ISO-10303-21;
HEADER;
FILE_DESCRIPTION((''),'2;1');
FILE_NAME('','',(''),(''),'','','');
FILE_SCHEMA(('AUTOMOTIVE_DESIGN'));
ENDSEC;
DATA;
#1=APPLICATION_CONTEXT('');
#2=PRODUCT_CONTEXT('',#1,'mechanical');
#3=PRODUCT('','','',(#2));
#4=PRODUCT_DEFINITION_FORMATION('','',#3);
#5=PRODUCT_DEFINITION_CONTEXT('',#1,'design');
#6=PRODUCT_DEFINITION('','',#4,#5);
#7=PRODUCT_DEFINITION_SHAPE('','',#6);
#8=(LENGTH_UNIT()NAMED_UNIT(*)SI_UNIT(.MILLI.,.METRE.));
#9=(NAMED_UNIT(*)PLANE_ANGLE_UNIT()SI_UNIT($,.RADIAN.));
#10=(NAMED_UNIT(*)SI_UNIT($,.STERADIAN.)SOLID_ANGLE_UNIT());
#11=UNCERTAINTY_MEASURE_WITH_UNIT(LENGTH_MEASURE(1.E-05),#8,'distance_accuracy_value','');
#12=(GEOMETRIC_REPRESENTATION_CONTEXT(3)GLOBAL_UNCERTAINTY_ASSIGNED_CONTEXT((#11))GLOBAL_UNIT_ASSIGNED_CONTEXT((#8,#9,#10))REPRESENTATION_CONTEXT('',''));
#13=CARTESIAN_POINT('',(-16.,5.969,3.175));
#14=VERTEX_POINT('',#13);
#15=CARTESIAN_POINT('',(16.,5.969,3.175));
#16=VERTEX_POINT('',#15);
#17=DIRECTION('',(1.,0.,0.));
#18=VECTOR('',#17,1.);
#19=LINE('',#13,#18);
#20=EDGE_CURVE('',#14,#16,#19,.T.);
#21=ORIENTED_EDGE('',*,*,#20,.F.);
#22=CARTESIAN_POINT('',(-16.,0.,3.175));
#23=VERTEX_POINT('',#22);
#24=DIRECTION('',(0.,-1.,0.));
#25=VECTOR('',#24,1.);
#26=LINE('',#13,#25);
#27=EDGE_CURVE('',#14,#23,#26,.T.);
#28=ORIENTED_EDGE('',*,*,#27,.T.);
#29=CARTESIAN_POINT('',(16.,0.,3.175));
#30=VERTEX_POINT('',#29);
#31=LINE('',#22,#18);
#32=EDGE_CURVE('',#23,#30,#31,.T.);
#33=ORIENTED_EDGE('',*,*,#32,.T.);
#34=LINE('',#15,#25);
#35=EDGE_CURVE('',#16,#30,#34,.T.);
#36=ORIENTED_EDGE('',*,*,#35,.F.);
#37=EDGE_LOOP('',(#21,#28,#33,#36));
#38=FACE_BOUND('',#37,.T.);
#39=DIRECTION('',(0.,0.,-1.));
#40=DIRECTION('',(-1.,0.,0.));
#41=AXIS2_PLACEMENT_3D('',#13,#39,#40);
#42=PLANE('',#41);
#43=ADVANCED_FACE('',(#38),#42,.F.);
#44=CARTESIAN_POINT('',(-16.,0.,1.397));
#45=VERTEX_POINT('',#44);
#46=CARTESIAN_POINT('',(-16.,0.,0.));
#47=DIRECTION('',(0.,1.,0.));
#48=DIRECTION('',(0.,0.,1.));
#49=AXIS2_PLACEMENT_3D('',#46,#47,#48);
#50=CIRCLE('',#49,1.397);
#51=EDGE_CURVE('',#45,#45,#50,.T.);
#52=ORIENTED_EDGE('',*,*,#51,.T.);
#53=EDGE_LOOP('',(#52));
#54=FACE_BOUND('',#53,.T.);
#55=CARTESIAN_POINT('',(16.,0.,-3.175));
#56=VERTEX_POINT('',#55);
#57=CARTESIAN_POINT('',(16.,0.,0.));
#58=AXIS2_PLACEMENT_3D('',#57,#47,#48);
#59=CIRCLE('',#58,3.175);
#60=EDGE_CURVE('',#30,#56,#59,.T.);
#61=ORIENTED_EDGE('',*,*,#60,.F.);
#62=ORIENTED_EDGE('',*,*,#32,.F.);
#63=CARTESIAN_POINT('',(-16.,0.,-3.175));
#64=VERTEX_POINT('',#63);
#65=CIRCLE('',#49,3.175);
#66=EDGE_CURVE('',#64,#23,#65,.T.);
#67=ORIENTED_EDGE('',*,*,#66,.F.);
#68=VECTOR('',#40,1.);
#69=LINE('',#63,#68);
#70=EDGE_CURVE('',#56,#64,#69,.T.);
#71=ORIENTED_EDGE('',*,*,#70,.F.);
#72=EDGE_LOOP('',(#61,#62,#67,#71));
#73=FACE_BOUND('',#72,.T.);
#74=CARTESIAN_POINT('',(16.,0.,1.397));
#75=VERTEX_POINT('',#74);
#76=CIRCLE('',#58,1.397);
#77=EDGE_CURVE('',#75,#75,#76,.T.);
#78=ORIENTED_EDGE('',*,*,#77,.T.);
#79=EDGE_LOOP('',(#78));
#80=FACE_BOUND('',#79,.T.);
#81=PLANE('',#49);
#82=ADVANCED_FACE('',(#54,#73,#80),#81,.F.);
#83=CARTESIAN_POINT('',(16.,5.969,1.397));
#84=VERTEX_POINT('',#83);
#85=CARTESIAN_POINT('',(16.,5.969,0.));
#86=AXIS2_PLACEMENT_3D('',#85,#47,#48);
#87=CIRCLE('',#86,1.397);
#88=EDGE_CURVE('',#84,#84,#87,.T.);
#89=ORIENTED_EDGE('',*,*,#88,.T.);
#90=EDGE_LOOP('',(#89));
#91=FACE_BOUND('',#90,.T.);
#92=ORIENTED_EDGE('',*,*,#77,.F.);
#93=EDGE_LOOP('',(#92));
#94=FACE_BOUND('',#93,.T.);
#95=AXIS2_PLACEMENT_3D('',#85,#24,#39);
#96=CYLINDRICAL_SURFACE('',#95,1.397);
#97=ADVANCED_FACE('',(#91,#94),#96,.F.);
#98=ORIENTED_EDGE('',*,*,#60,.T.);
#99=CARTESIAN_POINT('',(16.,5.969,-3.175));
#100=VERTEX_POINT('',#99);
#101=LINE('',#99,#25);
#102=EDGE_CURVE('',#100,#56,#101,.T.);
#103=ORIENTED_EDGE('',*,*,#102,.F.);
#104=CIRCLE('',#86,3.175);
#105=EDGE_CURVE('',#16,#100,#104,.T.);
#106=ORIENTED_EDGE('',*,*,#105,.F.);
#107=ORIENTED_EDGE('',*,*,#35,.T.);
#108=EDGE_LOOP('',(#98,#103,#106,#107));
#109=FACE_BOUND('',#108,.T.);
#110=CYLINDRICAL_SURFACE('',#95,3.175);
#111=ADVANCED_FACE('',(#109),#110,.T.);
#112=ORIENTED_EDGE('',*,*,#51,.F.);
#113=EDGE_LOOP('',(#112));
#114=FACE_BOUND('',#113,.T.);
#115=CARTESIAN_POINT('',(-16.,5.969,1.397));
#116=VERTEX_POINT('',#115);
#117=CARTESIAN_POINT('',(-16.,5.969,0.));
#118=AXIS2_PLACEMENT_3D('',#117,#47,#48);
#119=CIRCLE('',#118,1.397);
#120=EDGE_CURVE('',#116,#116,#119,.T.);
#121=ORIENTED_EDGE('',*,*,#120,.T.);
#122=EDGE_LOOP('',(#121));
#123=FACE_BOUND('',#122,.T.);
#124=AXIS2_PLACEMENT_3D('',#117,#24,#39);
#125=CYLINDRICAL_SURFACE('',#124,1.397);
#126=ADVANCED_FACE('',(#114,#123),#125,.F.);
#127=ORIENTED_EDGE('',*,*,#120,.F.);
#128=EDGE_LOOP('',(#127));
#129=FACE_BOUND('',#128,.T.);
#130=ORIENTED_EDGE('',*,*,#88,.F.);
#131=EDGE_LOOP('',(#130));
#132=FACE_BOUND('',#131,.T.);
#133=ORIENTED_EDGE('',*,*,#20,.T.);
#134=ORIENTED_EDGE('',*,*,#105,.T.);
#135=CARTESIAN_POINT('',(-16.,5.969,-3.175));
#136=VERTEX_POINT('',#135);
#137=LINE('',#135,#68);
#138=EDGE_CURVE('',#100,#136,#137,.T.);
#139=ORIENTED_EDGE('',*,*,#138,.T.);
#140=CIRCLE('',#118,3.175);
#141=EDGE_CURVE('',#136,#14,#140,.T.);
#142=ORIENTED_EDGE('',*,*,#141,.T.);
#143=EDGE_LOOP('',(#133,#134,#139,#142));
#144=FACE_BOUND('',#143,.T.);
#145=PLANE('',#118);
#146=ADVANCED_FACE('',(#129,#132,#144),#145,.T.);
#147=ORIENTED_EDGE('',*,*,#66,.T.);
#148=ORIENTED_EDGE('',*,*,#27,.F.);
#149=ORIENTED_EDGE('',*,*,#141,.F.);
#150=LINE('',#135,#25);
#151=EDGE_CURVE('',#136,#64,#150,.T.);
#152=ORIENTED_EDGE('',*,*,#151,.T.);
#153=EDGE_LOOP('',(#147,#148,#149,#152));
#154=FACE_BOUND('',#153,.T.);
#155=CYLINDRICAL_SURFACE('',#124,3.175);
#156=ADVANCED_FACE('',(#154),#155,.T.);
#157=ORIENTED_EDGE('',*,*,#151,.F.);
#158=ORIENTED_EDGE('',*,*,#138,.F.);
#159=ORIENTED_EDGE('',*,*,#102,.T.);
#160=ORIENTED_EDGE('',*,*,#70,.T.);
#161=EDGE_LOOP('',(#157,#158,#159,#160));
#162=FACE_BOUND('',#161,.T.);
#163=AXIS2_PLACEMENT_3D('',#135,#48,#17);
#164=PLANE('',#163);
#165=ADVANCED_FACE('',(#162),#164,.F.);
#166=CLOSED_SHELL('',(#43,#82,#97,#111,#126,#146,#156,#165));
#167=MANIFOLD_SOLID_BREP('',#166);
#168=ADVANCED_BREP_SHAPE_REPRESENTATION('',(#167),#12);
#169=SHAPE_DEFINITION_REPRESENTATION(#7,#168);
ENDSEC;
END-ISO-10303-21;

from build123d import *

# Parameters (mm, degrees)
SKETCH1_R           = 1.397
BOSS_EXTRUDE1_DEPTH = 5.969


with BuildPart() as part:
    # Sketch1 → Boss-Extrude1 (new body)
    with BuildSketch(Plane(origin=(0, 0, 0), x_dir=(1, 0, 0), z_dir=(0, 1, 0))):
        with BuildLine():
            Line((-16, 3.175), (16, 3.175))
            ThreePointArc((16, 3.175), (19.175, 0), (16, -3.175))
            Line((16, -3.175), (-16, -3.175))
            ThreePointArc((-16, -3.175), (-19.175, 0), (-16, 3.175))
        make_face()
        with Locations((-16, 0)):
            Circle(SKETCH1_R, mode=Mode.SUBTRACT)
        with Locations((16, 0)):
            Circle(SKETCH1_R, mode=Mode.SUBTRACT)
    extrude(amount=BOSS_EXTRUDE1_DEPTH)


solid = part.part
